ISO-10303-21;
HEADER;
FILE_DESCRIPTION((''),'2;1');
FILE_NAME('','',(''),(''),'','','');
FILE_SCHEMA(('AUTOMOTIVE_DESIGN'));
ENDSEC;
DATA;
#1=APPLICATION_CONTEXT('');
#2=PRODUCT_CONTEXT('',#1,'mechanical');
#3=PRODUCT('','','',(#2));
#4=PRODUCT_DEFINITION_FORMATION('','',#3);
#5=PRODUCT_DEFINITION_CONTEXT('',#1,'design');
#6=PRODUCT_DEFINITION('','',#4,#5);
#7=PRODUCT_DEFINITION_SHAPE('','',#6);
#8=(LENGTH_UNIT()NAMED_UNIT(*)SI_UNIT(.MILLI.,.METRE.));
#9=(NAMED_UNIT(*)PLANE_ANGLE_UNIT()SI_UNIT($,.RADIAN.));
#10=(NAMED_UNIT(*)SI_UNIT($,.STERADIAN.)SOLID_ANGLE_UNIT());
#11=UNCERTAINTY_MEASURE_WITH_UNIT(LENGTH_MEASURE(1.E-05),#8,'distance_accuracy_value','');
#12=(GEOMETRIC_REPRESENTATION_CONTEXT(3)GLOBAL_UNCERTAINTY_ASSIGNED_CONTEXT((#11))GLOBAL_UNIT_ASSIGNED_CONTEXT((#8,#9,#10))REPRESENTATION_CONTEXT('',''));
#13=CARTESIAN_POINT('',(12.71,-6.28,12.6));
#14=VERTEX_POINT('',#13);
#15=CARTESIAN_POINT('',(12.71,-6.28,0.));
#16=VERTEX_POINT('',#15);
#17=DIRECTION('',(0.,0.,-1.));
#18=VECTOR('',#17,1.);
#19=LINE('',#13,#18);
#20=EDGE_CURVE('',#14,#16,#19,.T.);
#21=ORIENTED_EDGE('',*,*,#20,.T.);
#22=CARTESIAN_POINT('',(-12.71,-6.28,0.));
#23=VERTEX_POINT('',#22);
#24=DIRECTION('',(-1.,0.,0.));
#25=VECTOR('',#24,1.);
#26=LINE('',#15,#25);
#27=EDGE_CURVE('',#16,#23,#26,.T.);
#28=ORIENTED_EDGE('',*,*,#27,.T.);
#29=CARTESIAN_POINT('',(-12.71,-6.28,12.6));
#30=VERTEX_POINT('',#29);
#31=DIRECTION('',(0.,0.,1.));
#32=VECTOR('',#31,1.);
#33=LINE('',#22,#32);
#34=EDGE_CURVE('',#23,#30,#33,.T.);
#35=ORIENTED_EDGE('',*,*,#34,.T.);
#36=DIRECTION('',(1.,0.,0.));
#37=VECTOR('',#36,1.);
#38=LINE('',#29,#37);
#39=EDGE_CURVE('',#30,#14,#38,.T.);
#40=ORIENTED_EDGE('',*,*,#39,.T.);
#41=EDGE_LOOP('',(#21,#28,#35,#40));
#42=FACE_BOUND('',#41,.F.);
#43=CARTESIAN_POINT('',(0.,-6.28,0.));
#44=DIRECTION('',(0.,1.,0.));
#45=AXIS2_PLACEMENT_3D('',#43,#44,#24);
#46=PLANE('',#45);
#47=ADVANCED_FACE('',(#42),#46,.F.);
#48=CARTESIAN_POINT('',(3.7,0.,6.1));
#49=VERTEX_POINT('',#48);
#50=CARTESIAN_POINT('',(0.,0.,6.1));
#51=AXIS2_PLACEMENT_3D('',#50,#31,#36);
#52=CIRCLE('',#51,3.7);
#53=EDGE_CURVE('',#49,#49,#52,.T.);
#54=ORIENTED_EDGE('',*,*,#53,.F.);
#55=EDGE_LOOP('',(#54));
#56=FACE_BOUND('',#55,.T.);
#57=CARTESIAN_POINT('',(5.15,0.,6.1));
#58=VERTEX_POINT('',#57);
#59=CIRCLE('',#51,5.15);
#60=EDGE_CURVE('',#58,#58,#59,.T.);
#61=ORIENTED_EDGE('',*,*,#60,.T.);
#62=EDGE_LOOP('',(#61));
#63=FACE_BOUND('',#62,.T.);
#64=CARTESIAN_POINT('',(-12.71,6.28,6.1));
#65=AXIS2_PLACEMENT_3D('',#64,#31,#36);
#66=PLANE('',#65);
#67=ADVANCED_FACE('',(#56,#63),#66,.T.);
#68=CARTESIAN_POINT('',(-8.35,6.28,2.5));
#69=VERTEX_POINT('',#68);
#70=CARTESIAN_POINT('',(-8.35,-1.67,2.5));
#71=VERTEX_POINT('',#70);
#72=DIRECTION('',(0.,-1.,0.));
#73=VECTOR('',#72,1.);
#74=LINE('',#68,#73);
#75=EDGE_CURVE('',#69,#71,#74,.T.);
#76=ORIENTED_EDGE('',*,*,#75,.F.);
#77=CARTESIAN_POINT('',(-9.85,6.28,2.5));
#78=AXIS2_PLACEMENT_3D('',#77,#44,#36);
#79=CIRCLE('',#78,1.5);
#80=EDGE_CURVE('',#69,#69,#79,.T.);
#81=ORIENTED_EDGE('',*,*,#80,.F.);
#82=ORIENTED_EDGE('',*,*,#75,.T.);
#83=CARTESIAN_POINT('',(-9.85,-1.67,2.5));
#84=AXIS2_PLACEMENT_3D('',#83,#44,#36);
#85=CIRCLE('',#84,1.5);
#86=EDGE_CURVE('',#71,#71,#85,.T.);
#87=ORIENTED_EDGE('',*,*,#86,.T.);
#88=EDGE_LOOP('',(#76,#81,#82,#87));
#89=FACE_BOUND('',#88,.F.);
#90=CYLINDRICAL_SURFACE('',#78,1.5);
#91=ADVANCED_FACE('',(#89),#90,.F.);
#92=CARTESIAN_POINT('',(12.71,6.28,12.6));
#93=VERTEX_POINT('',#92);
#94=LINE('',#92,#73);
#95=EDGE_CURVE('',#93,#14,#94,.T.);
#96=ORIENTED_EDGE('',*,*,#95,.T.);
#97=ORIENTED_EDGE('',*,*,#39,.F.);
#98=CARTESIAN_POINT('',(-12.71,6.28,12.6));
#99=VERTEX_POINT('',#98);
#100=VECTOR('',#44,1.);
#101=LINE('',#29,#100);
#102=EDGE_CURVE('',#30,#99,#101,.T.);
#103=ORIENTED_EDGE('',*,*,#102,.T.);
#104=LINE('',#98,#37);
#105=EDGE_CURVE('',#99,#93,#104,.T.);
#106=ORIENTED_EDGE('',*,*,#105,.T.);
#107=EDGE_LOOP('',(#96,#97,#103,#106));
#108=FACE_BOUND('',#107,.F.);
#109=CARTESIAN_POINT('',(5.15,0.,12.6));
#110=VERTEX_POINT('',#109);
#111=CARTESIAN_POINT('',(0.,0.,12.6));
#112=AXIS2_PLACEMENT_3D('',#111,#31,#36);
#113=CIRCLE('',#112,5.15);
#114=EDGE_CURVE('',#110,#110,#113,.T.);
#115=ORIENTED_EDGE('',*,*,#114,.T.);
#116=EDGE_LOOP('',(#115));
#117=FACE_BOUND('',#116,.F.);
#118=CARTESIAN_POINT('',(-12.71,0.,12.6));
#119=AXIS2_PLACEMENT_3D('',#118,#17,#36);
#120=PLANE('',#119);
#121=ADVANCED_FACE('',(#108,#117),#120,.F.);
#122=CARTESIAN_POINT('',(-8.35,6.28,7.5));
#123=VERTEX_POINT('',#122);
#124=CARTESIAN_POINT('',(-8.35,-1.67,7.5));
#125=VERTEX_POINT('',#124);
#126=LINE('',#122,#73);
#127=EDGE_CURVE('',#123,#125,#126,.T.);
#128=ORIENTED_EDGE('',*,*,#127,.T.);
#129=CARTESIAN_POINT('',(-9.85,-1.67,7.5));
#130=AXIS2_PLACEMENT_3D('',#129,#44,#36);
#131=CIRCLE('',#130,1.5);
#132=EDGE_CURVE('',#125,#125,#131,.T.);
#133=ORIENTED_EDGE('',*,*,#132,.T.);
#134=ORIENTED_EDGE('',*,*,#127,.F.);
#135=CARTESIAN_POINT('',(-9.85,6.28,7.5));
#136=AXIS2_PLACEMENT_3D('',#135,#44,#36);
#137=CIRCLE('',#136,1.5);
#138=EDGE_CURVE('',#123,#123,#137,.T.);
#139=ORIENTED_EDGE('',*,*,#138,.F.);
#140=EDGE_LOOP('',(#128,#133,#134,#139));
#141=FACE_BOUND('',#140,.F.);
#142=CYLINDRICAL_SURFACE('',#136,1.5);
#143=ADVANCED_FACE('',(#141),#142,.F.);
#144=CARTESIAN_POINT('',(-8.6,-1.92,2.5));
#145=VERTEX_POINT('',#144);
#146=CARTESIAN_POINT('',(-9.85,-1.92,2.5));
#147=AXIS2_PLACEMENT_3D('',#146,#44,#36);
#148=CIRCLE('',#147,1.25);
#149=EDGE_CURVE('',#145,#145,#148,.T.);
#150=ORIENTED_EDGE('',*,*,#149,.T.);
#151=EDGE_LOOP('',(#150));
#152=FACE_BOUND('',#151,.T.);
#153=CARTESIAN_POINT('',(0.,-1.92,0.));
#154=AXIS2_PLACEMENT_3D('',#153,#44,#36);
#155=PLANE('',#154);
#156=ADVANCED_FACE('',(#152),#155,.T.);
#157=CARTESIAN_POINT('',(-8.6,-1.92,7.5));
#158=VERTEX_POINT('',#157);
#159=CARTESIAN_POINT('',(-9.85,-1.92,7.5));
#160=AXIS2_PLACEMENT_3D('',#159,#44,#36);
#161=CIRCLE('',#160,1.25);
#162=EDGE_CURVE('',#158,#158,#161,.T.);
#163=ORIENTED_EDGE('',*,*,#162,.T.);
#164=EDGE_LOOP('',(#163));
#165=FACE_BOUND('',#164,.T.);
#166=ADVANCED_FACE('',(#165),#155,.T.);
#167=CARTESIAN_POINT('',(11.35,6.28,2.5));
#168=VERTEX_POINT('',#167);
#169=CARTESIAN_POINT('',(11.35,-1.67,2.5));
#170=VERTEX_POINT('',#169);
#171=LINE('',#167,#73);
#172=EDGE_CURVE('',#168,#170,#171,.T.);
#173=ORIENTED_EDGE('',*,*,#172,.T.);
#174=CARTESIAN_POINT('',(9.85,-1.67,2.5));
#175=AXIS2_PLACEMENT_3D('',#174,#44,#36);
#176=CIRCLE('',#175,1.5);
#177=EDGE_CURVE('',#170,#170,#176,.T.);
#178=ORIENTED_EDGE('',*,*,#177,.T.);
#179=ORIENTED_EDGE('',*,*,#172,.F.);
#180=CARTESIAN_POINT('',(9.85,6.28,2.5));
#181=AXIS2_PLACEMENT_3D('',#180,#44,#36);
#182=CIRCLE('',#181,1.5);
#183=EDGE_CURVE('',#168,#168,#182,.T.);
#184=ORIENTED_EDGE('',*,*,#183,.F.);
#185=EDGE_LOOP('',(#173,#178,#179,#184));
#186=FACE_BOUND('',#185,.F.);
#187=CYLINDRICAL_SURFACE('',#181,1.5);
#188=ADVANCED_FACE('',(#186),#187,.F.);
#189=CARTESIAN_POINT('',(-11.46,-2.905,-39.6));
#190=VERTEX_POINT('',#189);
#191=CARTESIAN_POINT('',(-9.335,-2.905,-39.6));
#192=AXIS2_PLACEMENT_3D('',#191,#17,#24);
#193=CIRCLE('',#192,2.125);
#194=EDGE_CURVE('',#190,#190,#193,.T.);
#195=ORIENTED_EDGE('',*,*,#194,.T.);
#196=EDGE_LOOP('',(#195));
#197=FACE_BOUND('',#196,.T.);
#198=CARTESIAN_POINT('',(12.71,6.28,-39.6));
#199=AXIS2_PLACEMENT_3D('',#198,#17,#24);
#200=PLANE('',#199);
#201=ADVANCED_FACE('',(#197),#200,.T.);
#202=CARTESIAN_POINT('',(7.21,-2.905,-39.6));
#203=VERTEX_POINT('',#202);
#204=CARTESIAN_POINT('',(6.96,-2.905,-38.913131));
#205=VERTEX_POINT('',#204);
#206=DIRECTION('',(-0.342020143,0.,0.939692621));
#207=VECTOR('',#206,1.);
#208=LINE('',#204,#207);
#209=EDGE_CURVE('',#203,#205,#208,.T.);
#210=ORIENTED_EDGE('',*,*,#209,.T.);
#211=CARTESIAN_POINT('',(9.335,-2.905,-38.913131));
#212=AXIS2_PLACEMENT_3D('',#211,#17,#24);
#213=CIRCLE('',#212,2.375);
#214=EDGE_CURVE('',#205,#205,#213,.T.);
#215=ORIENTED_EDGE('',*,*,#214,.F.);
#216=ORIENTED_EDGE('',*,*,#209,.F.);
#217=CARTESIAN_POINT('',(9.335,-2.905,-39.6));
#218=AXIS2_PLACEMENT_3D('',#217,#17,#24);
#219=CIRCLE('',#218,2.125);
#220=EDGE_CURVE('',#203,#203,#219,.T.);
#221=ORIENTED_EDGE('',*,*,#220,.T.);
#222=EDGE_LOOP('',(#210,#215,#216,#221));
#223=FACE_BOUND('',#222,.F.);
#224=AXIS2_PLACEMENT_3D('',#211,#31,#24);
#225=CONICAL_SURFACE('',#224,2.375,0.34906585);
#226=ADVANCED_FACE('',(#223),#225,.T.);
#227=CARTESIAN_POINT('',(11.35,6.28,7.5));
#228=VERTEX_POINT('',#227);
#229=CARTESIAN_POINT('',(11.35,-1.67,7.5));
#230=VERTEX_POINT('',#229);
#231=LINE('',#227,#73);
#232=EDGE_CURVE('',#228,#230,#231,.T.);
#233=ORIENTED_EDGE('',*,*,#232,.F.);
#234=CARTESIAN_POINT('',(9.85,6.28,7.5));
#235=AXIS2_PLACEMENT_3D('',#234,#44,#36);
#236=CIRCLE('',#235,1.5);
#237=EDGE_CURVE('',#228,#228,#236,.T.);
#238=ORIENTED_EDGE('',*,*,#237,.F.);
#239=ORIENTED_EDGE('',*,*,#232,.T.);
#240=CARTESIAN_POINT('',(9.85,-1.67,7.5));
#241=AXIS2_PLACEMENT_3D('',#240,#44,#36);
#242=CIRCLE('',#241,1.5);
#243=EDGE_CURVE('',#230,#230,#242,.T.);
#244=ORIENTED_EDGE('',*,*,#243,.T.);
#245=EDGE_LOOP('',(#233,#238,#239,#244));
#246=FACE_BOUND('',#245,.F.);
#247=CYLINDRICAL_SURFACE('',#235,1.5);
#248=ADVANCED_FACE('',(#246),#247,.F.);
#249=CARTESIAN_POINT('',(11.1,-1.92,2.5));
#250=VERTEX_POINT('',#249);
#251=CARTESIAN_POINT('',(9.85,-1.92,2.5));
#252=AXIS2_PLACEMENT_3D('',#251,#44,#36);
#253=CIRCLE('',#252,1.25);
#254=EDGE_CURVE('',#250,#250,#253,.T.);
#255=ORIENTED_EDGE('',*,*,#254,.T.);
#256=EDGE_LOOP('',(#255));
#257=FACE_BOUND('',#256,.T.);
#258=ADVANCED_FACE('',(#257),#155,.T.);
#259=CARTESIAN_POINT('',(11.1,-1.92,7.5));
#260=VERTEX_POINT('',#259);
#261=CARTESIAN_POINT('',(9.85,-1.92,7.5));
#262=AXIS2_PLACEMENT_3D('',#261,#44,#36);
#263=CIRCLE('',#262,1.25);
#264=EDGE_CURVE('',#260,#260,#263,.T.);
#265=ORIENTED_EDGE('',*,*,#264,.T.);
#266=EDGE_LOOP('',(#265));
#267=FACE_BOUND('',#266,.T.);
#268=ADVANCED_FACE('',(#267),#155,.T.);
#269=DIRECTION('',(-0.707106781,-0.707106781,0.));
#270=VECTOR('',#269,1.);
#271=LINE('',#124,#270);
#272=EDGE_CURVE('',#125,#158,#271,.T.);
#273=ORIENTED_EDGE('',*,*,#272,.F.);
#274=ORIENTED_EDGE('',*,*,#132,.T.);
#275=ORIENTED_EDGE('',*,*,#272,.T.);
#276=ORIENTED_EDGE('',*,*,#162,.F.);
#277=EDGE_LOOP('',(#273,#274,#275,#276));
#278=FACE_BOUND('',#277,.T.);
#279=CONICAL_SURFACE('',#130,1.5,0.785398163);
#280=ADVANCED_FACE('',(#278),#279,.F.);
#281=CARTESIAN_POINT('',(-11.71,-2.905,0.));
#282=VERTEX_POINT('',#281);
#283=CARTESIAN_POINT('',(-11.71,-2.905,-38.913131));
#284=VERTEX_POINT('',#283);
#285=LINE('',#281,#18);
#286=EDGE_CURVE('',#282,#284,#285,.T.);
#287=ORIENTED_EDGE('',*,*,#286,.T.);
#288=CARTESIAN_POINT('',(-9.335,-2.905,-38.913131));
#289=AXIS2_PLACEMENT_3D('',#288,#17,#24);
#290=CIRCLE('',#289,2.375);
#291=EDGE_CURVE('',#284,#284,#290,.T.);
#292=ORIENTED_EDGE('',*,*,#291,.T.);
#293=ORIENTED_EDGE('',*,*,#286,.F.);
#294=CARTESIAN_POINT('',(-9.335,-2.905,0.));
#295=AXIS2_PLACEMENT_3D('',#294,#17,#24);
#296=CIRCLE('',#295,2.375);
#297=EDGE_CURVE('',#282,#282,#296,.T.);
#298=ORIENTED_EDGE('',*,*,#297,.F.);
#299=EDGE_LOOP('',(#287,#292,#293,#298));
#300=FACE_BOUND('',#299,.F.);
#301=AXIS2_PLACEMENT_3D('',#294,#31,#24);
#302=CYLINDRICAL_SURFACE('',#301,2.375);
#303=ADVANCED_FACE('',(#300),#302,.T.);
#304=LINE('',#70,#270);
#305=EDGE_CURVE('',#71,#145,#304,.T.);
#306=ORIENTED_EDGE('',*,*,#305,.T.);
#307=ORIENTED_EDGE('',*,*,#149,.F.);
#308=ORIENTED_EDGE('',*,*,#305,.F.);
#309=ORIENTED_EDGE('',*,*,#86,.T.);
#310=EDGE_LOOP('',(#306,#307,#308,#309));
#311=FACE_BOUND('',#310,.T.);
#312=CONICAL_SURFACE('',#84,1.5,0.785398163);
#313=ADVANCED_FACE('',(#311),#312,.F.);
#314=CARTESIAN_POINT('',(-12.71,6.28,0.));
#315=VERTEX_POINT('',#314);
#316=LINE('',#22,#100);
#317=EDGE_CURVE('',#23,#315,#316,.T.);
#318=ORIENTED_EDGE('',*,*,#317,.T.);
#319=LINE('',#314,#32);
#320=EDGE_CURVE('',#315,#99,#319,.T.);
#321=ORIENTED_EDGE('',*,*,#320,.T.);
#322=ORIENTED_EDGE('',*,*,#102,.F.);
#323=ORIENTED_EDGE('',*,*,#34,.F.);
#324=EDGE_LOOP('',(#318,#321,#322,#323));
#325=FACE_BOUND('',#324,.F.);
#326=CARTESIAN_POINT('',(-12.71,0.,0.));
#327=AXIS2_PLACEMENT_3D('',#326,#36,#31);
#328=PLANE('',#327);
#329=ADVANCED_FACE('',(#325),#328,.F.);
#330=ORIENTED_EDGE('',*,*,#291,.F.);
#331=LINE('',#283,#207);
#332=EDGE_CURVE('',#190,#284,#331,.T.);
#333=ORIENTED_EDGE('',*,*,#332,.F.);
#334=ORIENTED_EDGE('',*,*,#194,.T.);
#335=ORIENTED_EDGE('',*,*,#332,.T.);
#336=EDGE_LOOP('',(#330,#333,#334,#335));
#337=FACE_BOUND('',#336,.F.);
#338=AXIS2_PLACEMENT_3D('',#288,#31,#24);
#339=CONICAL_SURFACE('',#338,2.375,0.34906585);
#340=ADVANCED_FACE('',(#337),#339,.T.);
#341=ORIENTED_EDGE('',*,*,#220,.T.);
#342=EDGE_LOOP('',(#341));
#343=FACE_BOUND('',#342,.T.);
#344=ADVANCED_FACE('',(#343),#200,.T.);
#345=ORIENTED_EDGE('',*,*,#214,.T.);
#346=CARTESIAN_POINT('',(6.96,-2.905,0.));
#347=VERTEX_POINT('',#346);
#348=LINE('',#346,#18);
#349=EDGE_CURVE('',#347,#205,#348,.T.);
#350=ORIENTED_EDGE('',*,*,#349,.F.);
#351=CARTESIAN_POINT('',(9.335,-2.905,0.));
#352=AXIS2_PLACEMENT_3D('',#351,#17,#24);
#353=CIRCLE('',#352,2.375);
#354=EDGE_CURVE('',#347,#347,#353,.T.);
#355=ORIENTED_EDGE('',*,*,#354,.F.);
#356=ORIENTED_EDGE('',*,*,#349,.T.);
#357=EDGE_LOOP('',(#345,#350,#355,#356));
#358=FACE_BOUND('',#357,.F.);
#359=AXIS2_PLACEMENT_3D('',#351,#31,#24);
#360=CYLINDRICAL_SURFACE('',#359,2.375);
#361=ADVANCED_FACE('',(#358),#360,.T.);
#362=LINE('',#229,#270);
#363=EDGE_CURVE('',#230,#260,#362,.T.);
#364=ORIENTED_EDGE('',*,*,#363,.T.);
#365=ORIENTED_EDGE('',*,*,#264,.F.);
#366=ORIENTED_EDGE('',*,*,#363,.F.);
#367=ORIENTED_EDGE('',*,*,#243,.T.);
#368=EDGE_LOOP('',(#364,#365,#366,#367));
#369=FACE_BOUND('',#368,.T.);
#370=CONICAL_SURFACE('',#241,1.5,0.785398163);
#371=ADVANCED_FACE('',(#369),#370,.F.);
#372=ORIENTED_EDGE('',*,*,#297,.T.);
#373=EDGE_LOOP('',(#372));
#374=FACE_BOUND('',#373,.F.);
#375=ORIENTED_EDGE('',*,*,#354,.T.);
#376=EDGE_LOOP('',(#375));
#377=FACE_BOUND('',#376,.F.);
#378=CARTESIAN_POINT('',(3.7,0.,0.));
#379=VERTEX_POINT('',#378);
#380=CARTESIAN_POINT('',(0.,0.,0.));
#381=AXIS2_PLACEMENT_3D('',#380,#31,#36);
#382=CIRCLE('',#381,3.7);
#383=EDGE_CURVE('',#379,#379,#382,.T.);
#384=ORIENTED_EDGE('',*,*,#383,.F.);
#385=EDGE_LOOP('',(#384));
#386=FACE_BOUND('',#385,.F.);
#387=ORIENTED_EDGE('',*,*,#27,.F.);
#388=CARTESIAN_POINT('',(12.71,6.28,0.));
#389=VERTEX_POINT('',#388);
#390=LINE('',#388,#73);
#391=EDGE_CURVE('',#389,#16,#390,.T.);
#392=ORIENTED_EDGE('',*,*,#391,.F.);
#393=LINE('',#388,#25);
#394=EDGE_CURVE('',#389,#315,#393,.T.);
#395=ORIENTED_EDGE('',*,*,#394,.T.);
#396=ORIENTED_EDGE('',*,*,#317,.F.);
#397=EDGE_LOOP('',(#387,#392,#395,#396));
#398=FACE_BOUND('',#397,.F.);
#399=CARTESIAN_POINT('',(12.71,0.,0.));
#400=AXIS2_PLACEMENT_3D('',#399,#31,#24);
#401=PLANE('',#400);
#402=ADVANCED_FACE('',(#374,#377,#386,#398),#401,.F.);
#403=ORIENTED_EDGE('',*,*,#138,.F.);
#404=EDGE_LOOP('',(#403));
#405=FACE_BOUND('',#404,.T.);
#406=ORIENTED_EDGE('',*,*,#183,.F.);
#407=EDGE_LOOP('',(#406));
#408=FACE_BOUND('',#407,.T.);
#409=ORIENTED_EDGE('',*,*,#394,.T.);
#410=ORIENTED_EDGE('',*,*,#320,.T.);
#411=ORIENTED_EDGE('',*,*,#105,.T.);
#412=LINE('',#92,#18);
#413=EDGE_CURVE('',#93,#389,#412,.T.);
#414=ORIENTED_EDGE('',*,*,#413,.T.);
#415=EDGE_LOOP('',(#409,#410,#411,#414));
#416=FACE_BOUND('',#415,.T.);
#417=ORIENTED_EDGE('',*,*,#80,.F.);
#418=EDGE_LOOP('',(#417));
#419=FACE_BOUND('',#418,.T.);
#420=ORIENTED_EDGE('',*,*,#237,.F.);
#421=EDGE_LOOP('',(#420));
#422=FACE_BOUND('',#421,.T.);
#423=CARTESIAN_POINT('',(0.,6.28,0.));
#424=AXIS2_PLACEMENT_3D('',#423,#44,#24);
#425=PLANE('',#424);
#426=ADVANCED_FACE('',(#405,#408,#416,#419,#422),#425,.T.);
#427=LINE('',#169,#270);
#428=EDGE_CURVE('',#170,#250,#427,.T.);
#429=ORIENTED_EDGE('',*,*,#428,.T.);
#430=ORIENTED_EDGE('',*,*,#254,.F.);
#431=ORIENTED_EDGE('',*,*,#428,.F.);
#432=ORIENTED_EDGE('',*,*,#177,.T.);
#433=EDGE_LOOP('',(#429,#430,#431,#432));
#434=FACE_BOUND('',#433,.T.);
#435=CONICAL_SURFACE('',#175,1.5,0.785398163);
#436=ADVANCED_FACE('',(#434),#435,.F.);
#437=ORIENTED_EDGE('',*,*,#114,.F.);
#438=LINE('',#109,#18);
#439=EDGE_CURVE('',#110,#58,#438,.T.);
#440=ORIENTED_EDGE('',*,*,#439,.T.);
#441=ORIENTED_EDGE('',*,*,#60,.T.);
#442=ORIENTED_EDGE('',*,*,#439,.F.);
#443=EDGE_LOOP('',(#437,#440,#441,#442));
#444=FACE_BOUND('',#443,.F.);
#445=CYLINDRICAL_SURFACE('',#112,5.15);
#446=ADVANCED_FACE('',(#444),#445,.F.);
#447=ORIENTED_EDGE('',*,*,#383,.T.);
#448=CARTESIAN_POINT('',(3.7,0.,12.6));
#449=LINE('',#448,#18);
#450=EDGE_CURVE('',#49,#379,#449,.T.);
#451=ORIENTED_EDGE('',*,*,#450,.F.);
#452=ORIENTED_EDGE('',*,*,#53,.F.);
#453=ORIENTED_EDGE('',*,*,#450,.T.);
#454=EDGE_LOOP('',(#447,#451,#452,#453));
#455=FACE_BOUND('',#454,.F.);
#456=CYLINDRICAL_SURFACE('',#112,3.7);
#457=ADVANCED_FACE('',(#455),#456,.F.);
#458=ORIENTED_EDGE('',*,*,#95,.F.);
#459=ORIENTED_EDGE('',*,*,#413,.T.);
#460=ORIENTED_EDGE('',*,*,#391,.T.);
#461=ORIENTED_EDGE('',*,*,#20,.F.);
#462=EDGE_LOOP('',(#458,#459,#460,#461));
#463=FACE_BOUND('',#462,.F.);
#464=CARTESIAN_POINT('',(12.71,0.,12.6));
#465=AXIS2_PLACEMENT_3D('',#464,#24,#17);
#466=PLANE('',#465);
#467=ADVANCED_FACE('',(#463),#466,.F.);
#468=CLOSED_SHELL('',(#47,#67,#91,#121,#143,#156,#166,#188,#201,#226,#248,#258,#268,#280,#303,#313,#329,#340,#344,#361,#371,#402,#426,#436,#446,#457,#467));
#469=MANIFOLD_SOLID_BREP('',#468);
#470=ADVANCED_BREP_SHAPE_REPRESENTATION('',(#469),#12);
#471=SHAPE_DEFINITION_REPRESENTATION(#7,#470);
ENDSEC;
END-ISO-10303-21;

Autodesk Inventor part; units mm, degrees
ref_plane "YZ Plane" through (0, 0, 0) normal (1, 0, 0) x (0, 1, 0)
ref_plane "XZ Plane" through (0, 0, 0) normal (0, 1, 0) x (-1, 0, 0)
ref_plane "XY Plane" through (0, 0, 0) normal (0, 0, 1) x (1, 0, 0)
sketch "Sketch1" plane through (0, 0, 0) normal (0, 1, 0) x (-1, 0, 0)
  line L0 (12.71, 0) -> (12.71, 12.6)
  line L1 (12.71, 12.6) -> (-12.71, 12.6)
  line L2 (-12.71, 12.6) -> (-12.71, 0)
  line L3 (-12.71, 0) -> (12.71, 0)
  point P0 (0, 0)
  dimension "d0" = 12.71
  dimension "d1" = 12.6
  dimension "d2" = 25.42
extrude "Extrusion1" add sketch "Sketch1" along normal mid plane 12.56
sketch "Sketch2" plane through (-12.71, 6.28, 12.6) normal (0, 0, 1) x (1, 0, 0)
  circle A0 centre (12.71, -6.28) radius 3.7
  dimension "d5" = 7.4
extrude "Extrusion2" cut sketch "Sketch2" against normal blind 17.3225
sketch "Sketch3" plane through (-12.71, 6.28, 12.6) normal (0, 0, 1) x (1, 0, 0)
  circle A0 centre (12.71, -6.28) radius 5.15
  dimension "d8" = 10.3
extrude "Extrusion3" cut sketch "Sketch3" against normal blind 6.5
sketch "Sketch4" plane through (0, 6.28, 0) normal (0, 1, 0) x (1, 0, 0)
  line L0 (0, 0) -> (-9.85, 0) construction
  line L1 (-9.85, 0) -> (-9.85, -2.5) construction
  circle A0 centre (-9.85, -2.5) radius 1.5
  line L2 (-9.85, -2.5) -> (-9.85, -7.5) construction
  circle A1 centre (-9.85, -7.5) radius 1.5
  circle A2 centre (9.85, -2.5) radius 1.5
  circle A3 centre (9.85, -7.5) radius 1.5
  dimension "d11" = 9.85
  dimension "d12" = 2.5
  dimension "d13" = 3
  dimension "d14" = 5
  dimension "d15" = 3
extrude "Extrusion4" cut sketch "Sketch4" against normal blind 8.2
chamfer "Chamfer1" distance 0.25 angle 45 4 edges at (-11.35, -1.92, 7.5) (-11.35, -1.92, 2.5) (8.35, -1.92, 2.5) (8.35, -1.92, 7.5)
sketch "Sketch5" plane through (12.71, 6.28, 0) normal (0, 0, -1) x (-1, 0, 0)
  line L0 (1, -12.56) -> (1, -9.185) construction
  line L1 (1, -9.185) -> (3.375, -9.185) construction
  circle A0 centre (3.375, -9.185) radius 2.375
  circle A1 centre (12.71, -6.28) radius 3.7 projected
  line L2 (12.71, -12.56) -> (12.71, -6.28) construction
  circle A2 centre (22.045, -9.185) radius 2.375
  point P0 (0, -12.56)
  dimension "d21" = 1
  dimension "d22" = 3.375
  dimension "d23" = 2.375
extrude "Extrusion5" add sketch "Sketch5" along normal blind 39.6 contours A0 | A2
chamfer "Chamfer2" distance 0.25 angle 70 1 edges at (11.71, -2.905, -39.6) measured on face at (9.5733, -3.5643, -39.6)
chamfer "Chamfer3" distance 0.25 angle 70 1 edges at (-6.96, -2.905, -39.6) measured on face at (-9.9756, -2.2535, -39.6)
properties part number "PocketNC_Vise_part1" material "Aluminum 6061"
